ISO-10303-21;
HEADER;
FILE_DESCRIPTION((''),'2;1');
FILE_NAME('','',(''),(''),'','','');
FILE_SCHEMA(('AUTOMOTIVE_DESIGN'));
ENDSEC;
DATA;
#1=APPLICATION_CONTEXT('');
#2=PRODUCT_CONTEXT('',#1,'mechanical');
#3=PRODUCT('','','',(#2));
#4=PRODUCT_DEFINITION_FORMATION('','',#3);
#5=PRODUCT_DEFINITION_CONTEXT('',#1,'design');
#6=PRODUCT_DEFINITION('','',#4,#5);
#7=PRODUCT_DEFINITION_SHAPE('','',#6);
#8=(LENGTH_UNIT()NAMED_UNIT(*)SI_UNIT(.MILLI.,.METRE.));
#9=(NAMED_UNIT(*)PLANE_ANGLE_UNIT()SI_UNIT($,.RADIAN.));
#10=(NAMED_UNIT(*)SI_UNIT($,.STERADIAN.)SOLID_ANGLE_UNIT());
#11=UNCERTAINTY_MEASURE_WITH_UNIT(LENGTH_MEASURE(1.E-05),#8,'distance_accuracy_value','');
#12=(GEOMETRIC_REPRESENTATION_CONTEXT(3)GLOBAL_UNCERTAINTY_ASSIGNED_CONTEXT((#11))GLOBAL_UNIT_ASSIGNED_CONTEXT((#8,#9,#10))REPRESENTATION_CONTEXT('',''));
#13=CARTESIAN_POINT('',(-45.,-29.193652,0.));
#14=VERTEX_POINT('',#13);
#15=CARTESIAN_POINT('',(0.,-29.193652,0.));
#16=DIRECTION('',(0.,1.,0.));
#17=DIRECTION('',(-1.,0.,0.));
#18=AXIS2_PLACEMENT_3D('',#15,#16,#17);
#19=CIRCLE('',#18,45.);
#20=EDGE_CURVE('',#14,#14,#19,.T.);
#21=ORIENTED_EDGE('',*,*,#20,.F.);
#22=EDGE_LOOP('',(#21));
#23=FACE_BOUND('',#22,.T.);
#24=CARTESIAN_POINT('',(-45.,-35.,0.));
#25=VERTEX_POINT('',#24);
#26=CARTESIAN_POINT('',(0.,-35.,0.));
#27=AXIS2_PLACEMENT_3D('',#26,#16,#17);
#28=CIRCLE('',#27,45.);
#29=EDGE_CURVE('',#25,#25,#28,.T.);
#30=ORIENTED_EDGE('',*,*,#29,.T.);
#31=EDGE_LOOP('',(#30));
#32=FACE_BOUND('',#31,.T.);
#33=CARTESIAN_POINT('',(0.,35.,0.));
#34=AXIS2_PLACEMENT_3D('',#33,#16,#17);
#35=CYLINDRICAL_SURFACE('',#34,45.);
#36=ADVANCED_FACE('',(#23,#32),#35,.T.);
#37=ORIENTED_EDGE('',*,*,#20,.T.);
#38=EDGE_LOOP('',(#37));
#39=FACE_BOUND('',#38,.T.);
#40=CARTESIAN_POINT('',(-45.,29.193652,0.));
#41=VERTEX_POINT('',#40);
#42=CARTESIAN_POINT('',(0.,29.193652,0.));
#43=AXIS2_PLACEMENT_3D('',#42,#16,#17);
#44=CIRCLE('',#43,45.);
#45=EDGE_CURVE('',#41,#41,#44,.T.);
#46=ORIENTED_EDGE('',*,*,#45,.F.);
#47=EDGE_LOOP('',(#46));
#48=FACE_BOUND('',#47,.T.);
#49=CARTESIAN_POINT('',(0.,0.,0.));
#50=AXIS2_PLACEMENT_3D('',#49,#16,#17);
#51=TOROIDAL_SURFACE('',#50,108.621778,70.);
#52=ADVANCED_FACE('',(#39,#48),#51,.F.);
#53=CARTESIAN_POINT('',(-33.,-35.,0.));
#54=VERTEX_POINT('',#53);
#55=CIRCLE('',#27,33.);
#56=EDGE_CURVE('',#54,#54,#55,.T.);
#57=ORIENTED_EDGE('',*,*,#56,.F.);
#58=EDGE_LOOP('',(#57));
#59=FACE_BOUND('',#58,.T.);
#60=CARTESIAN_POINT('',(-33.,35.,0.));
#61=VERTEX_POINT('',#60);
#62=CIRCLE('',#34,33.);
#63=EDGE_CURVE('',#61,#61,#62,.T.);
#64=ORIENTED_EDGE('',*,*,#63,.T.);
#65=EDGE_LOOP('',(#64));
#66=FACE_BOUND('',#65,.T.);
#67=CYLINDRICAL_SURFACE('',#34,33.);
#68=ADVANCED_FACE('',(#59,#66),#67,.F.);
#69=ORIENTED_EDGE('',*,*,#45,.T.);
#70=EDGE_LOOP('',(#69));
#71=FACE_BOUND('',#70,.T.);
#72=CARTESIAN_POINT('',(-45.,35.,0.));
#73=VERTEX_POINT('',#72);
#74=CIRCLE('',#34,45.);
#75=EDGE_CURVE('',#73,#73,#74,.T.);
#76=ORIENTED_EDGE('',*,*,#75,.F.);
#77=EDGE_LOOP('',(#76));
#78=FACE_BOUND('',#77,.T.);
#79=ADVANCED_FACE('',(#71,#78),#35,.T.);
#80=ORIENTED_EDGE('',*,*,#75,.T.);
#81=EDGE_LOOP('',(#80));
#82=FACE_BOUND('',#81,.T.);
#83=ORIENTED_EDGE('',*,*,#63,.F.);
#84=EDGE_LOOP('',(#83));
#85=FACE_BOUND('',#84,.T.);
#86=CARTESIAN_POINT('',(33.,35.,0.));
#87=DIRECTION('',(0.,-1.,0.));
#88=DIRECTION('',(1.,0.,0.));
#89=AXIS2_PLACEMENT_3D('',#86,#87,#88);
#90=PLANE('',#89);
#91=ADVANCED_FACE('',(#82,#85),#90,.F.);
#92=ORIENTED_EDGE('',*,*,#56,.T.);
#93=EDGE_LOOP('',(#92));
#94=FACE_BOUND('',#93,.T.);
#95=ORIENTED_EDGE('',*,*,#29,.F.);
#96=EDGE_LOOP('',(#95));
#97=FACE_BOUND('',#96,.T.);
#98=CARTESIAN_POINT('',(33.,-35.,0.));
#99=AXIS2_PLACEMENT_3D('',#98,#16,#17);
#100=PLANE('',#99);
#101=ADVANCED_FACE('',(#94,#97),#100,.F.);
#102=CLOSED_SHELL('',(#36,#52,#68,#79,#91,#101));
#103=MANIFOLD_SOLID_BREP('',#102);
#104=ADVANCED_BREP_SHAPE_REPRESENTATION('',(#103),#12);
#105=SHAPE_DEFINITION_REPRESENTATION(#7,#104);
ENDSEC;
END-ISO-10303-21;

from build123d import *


with BuildPart() as part:
    # 草图1 → 旋转2 (revolve)
    with BuildSketch(Plane.XY, mode=Mode.PRIVATE) as revolve_2_sk:
        with BuildLine():
            Line((33, 35), (45, 35))
            Line((45, 35), (45, 29.193652228))
            ThreePointArc((45, 29.193652228), (38.621778265, 0), (45, -29.193652228))
            Line((45, -29.193652228), (45, -35))
            Line((45, -35), (33, -35))
            Line((33, -35), (33, 35))
        make_face()
    revolve(revolve_2_sk.sketch.rotate(Axis((0, 35, 0), (0, -1, 0)), 180), axis=Axis((0, 35, 0), (0, -1, 0)))


solid = part.part
